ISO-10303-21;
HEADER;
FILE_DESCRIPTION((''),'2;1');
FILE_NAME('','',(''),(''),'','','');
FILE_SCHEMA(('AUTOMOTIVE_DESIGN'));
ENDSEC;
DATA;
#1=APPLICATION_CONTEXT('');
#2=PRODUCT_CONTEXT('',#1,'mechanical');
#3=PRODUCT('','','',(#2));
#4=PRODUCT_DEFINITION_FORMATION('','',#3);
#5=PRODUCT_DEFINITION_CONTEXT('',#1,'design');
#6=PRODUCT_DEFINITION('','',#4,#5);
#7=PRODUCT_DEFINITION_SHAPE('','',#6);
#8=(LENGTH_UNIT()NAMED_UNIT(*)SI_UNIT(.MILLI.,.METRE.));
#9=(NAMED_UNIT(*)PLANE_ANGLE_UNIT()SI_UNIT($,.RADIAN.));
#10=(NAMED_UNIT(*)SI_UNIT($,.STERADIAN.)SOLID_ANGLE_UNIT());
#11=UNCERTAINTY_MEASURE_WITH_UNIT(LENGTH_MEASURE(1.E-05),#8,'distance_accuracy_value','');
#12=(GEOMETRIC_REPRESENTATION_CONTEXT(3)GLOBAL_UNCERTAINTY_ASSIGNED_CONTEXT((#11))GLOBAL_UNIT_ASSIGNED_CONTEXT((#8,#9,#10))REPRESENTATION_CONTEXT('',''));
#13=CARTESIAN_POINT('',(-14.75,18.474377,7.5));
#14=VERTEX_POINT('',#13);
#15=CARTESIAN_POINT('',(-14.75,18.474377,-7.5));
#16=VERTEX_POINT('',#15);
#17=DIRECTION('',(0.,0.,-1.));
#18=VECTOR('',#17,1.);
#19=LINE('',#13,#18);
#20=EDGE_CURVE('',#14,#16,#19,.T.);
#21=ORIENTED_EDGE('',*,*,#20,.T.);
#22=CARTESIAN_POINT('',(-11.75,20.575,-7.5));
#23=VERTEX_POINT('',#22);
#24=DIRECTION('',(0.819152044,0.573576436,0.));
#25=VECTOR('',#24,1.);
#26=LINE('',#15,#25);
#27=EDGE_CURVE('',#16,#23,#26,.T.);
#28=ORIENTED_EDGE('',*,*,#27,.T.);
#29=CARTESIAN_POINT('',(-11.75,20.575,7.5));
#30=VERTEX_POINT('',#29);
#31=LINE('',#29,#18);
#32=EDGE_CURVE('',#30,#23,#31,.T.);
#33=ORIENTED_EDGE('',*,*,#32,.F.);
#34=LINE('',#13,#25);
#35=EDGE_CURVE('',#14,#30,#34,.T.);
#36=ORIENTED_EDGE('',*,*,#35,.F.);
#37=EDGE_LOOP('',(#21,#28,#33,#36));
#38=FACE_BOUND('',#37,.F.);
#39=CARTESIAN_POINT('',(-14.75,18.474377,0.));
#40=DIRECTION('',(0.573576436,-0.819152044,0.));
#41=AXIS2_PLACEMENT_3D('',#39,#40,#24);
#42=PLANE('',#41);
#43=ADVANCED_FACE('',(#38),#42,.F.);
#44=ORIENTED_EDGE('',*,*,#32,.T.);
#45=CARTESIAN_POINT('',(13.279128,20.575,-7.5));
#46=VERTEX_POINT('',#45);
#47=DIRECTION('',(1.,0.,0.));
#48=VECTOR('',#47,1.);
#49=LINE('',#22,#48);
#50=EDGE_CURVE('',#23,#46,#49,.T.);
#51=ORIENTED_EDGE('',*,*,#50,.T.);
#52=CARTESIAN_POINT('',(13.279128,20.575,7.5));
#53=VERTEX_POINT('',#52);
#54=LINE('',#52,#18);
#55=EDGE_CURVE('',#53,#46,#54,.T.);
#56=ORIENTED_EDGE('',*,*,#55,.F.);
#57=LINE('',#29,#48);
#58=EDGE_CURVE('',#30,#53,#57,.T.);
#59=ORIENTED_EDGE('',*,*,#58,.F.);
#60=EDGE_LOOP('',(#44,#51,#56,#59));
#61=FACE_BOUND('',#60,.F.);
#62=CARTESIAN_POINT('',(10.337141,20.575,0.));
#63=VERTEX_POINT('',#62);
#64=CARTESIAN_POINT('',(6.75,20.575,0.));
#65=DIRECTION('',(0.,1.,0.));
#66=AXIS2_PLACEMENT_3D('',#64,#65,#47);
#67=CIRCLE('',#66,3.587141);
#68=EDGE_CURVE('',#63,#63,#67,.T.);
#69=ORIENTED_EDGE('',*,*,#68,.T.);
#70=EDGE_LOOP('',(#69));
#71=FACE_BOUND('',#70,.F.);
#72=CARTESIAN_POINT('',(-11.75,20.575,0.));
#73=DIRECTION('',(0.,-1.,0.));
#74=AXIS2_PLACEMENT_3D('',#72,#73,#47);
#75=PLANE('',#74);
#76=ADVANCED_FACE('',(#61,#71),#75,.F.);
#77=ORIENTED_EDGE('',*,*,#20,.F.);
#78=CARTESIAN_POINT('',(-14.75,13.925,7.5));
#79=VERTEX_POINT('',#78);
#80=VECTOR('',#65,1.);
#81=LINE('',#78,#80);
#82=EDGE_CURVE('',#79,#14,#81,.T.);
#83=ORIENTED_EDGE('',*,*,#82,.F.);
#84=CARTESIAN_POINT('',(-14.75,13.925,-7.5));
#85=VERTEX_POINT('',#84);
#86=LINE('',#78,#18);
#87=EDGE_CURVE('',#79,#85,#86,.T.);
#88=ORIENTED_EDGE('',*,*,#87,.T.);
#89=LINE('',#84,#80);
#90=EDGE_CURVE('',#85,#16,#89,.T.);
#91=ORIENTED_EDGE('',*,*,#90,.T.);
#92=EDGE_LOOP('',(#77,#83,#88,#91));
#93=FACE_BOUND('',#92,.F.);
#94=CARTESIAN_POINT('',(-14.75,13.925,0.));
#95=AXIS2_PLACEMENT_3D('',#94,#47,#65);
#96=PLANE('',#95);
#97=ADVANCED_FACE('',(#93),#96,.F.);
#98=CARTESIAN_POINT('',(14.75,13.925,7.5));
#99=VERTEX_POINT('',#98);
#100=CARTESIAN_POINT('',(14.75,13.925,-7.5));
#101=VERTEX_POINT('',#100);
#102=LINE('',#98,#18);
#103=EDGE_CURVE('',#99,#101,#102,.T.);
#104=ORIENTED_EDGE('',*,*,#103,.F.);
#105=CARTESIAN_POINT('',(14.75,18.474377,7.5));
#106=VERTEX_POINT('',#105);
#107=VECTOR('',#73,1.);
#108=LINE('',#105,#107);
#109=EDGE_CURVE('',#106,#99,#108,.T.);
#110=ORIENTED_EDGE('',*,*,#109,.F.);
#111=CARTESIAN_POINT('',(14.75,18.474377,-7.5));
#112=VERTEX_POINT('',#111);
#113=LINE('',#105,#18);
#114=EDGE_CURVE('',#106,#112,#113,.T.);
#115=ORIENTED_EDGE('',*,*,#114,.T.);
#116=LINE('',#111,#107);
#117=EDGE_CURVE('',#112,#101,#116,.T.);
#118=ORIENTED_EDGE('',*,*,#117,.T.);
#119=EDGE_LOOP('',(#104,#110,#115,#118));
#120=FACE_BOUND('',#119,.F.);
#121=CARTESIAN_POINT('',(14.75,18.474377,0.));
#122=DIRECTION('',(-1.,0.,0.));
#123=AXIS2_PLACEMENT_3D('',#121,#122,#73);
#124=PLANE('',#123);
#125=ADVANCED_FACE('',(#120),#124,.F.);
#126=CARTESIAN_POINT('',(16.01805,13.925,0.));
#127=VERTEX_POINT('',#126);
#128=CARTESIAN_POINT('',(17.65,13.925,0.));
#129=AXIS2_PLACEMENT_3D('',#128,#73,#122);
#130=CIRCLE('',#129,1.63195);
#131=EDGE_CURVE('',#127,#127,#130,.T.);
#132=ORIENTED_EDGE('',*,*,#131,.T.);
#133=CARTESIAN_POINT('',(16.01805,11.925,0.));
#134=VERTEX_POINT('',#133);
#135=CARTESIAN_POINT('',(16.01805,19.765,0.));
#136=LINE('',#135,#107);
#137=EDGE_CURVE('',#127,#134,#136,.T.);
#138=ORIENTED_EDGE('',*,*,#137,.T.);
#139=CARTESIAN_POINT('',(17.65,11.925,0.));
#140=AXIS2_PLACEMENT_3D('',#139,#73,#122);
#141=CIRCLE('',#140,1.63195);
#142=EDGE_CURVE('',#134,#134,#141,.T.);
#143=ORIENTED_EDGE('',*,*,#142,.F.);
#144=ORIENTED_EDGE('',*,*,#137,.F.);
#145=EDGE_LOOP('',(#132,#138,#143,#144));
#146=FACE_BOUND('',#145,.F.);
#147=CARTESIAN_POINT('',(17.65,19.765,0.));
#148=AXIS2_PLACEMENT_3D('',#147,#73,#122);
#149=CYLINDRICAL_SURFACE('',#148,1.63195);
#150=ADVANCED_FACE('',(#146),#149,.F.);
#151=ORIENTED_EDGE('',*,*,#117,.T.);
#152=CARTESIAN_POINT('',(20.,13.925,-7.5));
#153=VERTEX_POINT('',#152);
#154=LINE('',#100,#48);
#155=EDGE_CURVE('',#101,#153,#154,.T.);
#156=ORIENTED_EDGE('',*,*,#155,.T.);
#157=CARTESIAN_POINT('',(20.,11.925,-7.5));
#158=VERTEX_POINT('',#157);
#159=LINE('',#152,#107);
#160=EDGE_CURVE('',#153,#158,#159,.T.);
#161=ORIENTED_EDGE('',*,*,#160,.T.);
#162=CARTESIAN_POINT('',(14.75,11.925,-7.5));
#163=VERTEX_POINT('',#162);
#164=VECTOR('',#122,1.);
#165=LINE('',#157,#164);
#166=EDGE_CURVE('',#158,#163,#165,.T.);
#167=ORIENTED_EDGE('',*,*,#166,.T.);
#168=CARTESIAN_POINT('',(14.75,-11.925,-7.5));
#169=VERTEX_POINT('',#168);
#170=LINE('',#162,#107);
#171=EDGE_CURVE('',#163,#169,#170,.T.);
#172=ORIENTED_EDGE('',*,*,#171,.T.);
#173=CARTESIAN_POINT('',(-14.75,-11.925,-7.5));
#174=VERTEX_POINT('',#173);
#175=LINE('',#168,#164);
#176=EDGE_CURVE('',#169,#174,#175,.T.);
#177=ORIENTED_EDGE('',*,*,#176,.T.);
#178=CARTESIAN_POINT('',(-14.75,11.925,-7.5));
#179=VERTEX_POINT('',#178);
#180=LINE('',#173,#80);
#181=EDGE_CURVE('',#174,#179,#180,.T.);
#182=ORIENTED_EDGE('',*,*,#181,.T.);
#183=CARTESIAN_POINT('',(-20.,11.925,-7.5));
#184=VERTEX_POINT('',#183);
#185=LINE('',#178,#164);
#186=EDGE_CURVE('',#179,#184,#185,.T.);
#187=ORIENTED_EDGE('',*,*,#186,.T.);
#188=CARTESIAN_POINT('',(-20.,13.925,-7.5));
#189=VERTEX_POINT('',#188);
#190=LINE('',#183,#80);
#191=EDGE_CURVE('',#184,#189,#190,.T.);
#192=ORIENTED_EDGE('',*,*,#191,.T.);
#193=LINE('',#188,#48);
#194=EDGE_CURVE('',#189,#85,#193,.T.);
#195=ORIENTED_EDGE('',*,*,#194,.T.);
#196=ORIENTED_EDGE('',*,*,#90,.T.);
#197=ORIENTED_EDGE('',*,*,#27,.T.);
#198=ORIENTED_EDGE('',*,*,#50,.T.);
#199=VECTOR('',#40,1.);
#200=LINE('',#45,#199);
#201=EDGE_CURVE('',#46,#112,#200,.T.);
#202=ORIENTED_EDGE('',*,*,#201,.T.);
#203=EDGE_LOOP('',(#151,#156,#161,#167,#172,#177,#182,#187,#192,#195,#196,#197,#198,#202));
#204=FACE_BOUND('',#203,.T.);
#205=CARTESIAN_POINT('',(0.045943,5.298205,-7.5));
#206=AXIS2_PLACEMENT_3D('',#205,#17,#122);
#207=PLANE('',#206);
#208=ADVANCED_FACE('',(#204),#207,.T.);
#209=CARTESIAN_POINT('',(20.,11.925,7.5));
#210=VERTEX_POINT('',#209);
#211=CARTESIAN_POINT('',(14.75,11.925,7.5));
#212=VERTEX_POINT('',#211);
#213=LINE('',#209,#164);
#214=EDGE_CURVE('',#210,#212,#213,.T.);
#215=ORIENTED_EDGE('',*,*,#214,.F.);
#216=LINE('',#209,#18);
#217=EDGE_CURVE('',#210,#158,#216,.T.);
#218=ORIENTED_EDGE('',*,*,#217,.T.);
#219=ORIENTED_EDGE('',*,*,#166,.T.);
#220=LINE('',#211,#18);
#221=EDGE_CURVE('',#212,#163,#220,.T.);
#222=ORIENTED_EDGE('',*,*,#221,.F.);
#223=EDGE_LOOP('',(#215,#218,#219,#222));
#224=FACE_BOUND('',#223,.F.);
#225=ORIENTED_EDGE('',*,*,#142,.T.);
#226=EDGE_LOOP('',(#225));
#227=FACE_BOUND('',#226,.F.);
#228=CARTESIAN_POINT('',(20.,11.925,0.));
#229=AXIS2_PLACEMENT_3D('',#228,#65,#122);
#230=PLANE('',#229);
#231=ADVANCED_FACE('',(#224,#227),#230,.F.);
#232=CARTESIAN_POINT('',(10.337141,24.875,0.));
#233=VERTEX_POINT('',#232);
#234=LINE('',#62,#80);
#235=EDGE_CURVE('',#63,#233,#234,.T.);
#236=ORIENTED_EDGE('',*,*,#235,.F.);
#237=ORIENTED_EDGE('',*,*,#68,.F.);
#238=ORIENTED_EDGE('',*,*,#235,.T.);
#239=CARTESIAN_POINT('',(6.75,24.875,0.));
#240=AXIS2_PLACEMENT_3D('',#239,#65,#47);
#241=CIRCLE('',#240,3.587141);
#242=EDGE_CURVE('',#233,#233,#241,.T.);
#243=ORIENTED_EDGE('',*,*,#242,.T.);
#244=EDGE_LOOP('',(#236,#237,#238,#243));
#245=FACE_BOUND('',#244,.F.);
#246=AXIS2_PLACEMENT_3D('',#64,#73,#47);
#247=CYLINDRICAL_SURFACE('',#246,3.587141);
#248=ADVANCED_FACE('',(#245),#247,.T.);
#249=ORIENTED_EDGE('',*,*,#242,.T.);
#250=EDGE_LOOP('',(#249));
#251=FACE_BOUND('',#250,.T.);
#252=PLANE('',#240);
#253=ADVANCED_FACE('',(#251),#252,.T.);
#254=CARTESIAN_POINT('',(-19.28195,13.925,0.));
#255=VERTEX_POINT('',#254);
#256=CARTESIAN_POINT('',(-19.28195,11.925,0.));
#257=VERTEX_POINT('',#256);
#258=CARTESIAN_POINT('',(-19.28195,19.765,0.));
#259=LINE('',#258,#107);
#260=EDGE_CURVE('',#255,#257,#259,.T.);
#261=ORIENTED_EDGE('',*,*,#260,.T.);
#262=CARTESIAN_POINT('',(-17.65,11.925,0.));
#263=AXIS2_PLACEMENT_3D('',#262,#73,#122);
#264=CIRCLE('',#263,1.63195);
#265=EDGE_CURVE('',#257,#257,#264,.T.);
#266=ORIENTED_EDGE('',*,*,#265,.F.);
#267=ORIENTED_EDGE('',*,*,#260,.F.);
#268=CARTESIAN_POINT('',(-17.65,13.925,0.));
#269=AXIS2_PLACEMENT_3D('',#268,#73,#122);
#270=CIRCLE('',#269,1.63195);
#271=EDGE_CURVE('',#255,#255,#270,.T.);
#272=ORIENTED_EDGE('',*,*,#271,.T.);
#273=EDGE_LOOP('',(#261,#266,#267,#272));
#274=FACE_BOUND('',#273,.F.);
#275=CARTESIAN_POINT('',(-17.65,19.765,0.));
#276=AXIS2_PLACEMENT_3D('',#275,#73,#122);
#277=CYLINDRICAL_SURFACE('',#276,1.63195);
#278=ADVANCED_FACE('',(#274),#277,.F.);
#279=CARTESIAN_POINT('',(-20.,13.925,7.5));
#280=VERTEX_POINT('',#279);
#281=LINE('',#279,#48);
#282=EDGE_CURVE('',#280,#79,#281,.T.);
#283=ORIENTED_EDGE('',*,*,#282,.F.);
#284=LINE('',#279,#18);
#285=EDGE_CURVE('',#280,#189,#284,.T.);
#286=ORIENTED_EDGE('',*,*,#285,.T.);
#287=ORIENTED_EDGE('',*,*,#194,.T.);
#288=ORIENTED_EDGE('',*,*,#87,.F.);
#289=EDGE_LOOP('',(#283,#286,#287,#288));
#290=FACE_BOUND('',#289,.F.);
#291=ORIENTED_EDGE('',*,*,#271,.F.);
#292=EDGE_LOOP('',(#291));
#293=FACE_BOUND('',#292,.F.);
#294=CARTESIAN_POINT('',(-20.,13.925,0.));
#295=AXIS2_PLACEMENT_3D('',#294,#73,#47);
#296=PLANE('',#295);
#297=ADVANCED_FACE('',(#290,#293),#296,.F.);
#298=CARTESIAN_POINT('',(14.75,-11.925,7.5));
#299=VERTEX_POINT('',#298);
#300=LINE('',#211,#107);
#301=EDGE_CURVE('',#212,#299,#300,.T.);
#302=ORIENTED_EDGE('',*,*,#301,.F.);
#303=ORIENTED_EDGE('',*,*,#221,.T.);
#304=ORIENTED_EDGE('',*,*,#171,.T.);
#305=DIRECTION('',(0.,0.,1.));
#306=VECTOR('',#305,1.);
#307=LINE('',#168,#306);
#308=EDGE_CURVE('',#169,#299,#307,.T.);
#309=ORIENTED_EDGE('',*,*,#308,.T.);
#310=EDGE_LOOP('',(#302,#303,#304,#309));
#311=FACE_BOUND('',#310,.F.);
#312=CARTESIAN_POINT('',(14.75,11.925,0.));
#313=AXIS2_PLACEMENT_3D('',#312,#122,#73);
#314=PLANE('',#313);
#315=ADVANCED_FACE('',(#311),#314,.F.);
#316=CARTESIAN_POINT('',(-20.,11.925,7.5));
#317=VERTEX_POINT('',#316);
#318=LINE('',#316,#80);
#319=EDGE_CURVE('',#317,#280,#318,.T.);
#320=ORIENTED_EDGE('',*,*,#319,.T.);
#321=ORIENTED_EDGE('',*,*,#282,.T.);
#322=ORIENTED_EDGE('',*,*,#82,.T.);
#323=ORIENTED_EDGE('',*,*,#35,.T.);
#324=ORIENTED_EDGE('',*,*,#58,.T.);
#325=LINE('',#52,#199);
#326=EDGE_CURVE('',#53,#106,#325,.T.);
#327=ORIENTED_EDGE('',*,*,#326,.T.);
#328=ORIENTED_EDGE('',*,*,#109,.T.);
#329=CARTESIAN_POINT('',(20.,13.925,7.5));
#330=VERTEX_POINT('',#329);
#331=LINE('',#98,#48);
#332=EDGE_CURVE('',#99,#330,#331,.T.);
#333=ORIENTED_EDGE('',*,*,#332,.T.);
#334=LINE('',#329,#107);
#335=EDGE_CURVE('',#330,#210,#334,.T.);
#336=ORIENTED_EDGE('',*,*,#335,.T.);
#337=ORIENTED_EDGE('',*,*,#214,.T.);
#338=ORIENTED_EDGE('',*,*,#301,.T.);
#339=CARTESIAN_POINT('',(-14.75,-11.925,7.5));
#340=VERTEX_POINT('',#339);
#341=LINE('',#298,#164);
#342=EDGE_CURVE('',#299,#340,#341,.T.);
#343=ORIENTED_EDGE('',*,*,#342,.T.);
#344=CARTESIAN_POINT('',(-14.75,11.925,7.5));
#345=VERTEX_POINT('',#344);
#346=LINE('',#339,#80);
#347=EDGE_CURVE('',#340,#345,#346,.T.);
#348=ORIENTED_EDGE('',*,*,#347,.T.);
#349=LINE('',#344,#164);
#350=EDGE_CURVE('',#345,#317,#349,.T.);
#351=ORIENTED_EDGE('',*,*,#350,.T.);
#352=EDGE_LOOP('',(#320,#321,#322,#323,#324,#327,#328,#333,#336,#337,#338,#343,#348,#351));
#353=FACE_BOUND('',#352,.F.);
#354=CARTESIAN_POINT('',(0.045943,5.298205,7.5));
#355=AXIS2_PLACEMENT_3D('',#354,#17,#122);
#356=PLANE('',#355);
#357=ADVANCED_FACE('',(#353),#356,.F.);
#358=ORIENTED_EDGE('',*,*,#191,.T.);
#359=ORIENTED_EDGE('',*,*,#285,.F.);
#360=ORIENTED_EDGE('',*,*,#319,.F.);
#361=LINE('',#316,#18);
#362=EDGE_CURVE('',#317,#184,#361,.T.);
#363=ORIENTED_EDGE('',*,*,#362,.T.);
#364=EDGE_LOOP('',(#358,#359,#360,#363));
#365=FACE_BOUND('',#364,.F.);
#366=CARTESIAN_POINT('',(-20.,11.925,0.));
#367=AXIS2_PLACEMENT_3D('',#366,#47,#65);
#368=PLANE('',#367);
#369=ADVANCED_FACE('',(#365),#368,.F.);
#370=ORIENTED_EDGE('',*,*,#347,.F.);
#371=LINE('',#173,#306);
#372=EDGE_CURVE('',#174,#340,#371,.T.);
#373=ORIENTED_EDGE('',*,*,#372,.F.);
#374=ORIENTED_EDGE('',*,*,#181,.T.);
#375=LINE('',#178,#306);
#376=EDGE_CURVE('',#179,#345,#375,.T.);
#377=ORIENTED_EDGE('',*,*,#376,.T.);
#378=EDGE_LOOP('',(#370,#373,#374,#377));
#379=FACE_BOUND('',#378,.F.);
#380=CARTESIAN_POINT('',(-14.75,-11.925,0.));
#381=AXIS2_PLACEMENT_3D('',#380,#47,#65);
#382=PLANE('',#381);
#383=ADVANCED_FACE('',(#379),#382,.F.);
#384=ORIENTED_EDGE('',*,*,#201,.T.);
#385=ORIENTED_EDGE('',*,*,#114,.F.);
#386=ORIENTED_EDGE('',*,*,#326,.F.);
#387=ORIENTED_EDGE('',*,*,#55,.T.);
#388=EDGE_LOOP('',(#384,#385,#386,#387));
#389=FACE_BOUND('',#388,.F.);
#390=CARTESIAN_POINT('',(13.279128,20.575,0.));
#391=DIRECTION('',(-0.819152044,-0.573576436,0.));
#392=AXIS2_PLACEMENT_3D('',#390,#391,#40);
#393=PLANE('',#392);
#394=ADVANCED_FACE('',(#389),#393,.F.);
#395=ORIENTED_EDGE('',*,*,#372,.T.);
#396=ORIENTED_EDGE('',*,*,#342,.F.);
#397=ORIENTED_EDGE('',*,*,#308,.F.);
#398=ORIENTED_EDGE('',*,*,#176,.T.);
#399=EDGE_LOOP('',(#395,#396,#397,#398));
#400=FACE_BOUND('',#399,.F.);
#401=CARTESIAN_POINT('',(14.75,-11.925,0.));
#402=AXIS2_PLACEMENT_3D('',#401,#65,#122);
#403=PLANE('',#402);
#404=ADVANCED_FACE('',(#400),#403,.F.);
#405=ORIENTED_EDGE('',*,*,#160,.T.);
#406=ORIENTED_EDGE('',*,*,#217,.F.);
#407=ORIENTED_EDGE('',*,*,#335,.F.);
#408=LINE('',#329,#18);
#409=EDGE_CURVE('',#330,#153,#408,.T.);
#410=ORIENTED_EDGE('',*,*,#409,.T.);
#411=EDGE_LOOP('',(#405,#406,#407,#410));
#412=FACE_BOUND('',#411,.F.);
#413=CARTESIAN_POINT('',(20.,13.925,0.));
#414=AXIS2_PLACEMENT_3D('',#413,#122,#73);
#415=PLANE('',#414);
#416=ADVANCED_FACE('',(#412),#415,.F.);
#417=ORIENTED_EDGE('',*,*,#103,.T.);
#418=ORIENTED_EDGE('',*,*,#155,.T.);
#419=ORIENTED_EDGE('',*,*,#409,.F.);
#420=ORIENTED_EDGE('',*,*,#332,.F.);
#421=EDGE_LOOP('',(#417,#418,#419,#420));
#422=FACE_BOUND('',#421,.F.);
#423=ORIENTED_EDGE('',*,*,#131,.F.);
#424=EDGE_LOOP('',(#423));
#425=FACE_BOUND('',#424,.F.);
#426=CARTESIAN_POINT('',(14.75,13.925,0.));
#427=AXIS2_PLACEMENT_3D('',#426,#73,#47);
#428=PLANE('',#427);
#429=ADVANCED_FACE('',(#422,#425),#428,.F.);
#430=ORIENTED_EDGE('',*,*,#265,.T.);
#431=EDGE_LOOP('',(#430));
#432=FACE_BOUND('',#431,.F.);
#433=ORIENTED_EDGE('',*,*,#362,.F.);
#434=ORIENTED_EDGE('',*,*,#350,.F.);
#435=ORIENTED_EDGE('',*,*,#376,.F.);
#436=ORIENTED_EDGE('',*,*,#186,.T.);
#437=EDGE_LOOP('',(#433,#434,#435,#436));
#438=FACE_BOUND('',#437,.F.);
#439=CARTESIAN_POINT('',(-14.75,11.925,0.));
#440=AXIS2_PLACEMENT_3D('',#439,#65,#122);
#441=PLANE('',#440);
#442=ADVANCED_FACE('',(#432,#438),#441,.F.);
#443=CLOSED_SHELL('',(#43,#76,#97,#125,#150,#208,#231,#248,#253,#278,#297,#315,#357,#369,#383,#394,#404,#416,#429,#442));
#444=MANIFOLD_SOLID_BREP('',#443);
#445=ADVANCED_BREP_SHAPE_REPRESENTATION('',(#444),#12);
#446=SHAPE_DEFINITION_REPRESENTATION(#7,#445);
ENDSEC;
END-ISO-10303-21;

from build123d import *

# Parameters (mm, degrees)
BOSS_EXTRUDE1_DEPTH       = 7.5
SKETCH2_R                 = 3.587141307
BOSS_EXTRUDE2_DEPTH       = 4.3
F_4_CLEARANCE_HOLE1_D     = 3.2639
F_4_CLEARANCE_HOLE1_DEPTH = 5.84
F_4_CLEARANCE_HOLE1_TIP   = 0.980574487


with BuildPart() as part:
    # Sketch1 → Boss-Extrude1 (new body, symmetric)
    with BuildSketch(Plane.XY):
        Polygon((-14.75, 11.925), (-20, 11.925), (-20, 13.925), (-14.75, 13.925), (-14.75, 18.474377385), (-11.75, 20.575), (13.27912821, 20.575), (14.75, 18.474377385), (14.75, 13.925), (20, 13.925), (20, 11.925), (14.75, 11.925), (14.75, -11.925), (-14.75, -11.925), align=None)
    extrude(amount=BOSS_EXTRUDE1_DEPTH, both=True)

    # Sketch2 → Boss-Extrude2 (add)
    with BuildSketch(Plane(origin=(0, 20.575, 0), x_dir=(1, 0, 0), z_dir=(0, 1, 0))):
        with Locations((6.75, 0)):
            Circle(SKETCH2_R)
    extrude(amount=BOSS_EXTRUDE2_DEPTH)

    # 4 Clearance Hole1
    with Locations(Plane(origin=(0, 13.925, 0), x_dir=(1, 0, 0), z_dir=(0, 1, 0))):
        with Locations((-17.65, 0), (17.65, 0)):
            Hole(F_4_CLEARANCE_HOLE1_D / 2, depth=F_4_CLEARANCE_HOLE1_DEPTH)
            with Locations((0, 0, -(F_4_CLEARANCE_HOLE1_DEPTH + F_4_CLEARANCE_HOLE1_TIP / 2))):  # 118° drill point
                Cone(0, F_4_CLEARANCE_HOLE1_D / 2, F_4_CLEARANCE_HOLE1_TIP, mode=Mode.SUBTRACT)


solid = part.part
